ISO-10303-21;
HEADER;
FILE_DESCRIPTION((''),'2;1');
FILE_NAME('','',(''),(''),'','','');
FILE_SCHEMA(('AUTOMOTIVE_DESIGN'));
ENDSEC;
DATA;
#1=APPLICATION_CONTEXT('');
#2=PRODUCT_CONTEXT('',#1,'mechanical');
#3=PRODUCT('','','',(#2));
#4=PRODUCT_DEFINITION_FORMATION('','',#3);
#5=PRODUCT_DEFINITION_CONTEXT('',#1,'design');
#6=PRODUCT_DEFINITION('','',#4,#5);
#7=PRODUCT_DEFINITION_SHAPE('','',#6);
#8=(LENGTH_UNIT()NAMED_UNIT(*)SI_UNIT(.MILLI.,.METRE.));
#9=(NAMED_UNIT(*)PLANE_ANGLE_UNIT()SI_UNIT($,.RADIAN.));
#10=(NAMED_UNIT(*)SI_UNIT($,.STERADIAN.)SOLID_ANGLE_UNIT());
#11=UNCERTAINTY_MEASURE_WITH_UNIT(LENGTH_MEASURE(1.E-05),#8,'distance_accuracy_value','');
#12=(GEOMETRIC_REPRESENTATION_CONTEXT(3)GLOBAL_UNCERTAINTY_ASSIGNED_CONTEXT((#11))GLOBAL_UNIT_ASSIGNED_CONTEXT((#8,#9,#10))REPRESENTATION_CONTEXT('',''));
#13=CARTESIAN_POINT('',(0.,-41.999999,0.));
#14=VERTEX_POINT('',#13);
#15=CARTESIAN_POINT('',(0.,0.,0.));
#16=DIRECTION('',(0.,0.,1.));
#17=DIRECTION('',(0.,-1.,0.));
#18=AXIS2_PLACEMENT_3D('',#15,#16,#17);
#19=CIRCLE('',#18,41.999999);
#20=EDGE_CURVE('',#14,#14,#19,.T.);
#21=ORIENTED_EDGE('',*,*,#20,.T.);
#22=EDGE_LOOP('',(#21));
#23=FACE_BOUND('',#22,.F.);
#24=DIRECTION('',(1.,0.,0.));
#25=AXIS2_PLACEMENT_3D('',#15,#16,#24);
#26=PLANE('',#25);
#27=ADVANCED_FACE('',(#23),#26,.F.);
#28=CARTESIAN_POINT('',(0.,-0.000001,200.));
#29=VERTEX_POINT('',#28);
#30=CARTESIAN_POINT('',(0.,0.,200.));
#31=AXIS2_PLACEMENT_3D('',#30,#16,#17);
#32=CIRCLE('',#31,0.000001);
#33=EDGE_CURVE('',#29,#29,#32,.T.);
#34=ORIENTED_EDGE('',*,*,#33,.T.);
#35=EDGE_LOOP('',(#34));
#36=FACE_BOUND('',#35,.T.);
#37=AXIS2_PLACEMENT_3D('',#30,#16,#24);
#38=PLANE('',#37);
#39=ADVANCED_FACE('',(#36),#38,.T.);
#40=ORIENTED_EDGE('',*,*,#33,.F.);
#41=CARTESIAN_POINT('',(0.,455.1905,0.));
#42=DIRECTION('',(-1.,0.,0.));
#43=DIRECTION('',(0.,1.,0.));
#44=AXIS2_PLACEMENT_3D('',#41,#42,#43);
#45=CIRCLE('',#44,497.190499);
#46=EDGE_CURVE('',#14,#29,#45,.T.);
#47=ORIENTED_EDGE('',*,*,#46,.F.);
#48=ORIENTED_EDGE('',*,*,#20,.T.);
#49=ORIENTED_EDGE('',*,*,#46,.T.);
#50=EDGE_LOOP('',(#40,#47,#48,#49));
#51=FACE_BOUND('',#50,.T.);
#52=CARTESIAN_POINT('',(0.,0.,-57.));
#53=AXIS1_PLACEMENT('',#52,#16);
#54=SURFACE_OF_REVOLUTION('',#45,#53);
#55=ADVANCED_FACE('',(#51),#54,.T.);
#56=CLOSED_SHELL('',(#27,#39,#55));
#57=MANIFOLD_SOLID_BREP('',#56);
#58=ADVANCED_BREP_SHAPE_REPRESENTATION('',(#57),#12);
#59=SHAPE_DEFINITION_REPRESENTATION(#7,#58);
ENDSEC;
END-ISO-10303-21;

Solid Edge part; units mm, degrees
sketch "Sketch1" plane through (0, 0, 0) normal (0, 0, 1) x (1, 0, 0)
  circle A0 centre (0, 0) radius 42
  dimension "D1" = 84
extrude "Extrusionsausprägung_2" add sketch "Sketch1" along normal blind 200
sketch "Sketch2" plane through (0, 0, 0) normal (1, 0, 0) x (0, 1, 0)
  arc A0 (-42, 0) -> (0, 200) centre (455.1905, 0) cw
revolve "RevolvedCutout1" cut sketch "Sketch2" angle 360 about axis through (0, 0, -57) along (0, 0, 1) material side at (0, -31.4357, 102.1915)
properties material "Acryl, hoher Anschlag"
